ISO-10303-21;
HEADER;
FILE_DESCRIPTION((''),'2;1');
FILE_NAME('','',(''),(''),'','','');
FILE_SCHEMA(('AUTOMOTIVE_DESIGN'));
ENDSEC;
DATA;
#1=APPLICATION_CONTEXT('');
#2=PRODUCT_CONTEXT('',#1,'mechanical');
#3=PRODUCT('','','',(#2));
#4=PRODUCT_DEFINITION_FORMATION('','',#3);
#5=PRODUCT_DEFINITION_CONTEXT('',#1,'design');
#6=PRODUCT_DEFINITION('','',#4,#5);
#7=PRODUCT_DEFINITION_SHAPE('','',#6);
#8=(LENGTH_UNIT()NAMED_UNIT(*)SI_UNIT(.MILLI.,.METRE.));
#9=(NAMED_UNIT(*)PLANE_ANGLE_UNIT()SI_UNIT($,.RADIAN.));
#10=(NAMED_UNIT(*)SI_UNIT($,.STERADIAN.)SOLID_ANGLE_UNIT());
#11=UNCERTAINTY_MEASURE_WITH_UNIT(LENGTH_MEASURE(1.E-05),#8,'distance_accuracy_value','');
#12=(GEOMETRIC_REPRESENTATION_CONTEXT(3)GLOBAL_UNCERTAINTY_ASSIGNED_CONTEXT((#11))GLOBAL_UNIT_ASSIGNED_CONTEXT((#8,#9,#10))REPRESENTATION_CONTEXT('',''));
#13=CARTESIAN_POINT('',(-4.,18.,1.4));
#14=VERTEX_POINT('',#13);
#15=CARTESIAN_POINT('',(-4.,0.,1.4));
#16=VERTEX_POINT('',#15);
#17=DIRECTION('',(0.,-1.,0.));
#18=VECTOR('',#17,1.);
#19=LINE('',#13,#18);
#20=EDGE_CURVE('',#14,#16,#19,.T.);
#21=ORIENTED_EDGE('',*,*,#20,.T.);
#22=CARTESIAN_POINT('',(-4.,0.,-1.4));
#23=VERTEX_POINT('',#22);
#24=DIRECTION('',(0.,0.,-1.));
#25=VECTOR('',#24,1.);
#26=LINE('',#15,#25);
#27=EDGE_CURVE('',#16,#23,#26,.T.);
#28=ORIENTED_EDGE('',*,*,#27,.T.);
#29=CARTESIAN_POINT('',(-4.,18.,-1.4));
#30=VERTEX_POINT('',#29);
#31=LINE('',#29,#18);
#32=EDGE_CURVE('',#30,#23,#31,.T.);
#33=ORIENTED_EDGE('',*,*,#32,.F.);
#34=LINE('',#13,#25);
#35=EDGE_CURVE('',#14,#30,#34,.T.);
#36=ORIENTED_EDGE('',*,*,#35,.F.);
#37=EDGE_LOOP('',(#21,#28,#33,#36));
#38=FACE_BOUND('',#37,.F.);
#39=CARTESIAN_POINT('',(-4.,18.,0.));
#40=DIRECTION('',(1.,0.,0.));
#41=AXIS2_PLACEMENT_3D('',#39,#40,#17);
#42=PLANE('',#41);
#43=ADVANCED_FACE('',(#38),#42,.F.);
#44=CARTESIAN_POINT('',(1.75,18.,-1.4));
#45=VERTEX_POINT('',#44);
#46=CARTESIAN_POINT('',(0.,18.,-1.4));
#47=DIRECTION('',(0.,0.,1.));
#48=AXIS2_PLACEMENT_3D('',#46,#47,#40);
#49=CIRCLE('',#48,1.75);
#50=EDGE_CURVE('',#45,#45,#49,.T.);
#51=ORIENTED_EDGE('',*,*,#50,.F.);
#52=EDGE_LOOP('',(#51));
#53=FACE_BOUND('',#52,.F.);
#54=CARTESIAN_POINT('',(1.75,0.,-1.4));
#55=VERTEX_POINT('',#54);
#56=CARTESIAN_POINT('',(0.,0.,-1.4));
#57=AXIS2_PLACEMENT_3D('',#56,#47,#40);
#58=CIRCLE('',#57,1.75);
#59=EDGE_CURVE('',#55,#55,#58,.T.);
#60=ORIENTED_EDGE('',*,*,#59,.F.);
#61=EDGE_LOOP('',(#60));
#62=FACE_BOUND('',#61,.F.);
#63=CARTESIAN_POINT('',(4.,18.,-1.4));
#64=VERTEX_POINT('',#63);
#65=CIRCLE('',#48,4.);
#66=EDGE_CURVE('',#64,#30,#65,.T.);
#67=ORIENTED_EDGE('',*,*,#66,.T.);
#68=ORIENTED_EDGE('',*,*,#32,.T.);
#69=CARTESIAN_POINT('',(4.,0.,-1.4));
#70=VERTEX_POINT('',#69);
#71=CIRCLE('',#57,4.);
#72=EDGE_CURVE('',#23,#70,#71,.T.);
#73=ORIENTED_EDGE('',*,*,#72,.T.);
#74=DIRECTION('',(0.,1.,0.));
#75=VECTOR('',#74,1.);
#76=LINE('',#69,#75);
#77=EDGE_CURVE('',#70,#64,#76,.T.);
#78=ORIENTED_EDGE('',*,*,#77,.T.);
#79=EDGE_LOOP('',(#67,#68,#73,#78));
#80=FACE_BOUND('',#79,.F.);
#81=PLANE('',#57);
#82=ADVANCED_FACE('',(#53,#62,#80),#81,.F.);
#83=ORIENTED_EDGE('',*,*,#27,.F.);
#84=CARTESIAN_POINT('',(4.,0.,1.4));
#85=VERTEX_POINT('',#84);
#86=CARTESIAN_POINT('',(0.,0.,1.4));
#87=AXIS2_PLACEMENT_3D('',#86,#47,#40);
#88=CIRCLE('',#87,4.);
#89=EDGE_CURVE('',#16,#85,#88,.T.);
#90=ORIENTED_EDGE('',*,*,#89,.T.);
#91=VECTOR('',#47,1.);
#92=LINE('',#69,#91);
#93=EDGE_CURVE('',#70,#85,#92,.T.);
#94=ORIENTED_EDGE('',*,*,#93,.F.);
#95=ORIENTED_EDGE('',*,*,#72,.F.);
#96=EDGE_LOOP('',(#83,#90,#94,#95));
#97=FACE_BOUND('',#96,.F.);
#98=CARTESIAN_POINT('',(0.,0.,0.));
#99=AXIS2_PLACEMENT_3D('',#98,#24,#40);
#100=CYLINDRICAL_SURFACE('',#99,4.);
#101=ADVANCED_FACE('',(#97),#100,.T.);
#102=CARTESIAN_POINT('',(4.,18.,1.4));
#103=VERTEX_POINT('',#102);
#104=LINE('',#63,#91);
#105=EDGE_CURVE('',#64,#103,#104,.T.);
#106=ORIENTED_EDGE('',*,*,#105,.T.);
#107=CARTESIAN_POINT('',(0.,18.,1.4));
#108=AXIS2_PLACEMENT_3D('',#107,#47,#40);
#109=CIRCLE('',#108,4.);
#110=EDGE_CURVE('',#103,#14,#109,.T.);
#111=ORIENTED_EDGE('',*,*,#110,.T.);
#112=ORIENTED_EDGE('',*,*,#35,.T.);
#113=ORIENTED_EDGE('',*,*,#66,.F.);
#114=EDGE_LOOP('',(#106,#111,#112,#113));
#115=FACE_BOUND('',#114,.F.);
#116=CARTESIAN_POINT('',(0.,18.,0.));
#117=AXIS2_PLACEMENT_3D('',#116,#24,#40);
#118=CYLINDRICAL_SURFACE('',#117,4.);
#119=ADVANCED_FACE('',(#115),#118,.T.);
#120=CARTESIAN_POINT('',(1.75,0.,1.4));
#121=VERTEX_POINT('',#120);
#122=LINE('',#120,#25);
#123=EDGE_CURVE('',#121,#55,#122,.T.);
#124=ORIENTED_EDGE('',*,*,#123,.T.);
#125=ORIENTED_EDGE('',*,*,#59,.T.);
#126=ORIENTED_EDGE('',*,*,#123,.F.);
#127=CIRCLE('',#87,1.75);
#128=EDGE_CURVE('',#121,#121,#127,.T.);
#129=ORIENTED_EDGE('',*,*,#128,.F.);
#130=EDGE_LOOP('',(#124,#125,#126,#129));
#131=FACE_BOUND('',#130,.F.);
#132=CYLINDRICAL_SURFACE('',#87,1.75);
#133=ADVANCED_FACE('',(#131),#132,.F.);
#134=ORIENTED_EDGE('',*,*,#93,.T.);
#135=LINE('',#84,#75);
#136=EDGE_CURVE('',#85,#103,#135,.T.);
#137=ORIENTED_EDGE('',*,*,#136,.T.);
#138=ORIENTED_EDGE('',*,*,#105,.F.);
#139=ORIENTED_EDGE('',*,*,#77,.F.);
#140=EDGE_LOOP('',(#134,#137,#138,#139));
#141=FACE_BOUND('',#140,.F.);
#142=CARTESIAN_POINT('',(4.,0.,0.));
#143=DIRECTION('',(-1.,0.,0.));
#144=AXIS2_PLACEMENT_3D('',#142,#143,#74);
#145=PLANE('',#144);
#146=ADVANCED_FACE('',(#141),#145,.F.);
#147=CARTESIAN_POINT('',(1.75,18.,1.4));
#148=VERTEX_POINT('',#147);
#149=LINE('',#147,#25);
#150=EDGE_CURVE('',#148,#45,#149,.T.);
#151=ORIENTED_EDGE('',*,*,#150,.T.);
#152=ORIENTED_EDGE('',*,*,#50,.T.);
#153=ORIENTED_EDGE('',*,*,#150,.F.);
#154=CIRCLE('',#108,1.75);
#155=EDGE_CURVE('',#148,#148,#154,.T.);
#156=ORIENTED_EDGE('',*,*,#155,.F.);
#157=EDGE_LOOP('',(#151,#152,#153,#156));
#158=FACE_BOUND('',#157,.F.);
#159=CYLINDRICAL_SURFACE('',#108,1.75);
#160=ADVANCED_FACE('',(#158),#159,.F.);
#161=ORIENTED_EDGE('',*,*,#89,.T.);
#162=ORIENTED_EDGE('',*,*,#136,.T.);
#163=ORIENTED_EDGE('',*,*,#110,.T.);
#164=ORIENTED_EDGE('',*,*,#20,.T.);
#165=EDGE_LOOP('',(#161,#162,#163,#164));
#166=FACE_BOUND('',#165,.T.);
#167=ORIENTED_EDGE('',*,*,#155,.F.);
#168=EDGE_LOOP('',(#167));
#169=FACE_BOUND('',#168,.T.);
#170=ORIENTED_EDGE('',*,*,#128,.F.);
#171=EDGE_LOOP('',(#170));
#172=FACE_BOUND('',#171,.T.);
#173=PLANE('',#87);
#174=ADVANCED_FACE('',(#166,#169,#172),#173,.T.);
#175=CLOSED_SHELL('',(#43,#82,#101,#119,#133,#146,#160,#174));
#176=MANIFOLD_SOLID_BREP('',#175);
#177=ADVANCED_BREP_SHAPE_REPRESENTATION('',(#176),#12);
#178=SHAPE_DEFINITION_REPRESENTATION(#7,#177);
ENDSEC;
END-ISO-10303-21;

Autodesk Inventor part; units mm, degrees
ref_plane "YZ Plane" through (0, 0, 0) normal (1, 0, 0) x (0, 1, 0)
ref_plane "XZ Plane" through (0, 0, 0) normal (0, 1, 0) x (-1, 0, 0)
ref_plane "XY Plane" through (0, 0, 0) normal (0, 0, 1) x (1, 0, 0)
sketch "Sketch1" plane through (0, 0, 0) normal (0, 0, 1) x (1, 0, 0)
  circle A0 centre (0, 0) radius 4
  line L0 (0, 0) -> (0, 18) construction
  line L1 (4, 0) -> (4, 18)
  line L2 (-4, 18) -> (-4, 0)
  arc A1 (-4, 0) -> (4, 0) centre (0, 0) ccw
  arc A2 (4, 18) -> (-4, 18) centre (0, 18) ccw
  point P0 (0, 9)
  dimension "d0" = 8
  dimension "d1" = 8
  dimension "d2" = 18
extrude "Extrusion1" add sketch "Sketch1" along normal mid plane 2.8
sketch "Sketch2" plane through (0, 0, 1.4) normal (0, 0, 1) x (1, 0, 0)
  arc A0 (4, 18) -> (-4, 18) centre (0, 18) ccw construction
  arc A1 (-4, 0) -> (4, 0) centre (0, 0) ccw construction
  circle A2 centre (0, 0) radius 1.75
  circle A3 centre (0, 18) radius 1.75
  line L0 (0, 12.7) -> (0, 5.7) construction
  line L1 (-1.3, 11.4) -> (-1.3, 7)
  line L2 (1.3, 7) -> (1.3, 11.4)
  arc A4 (1.3, 11.4) -> (-1.3, 11.4) centre (0, 11.4) ccw
  arc A5 (-1.3, 7) -> (1.3, 7) centre (0, 7) ccw
  point P0 (0, 9.2)
  dimension "d5" = 7
  dimension "d6" = 2.6
  dimension "d7" = 7
  dimension "d8" = 3.5
  dimension "d9" = 3.5
extrude "Extrusion2" cut sketch "Sketch2" against normal through all contours A2 | A3
